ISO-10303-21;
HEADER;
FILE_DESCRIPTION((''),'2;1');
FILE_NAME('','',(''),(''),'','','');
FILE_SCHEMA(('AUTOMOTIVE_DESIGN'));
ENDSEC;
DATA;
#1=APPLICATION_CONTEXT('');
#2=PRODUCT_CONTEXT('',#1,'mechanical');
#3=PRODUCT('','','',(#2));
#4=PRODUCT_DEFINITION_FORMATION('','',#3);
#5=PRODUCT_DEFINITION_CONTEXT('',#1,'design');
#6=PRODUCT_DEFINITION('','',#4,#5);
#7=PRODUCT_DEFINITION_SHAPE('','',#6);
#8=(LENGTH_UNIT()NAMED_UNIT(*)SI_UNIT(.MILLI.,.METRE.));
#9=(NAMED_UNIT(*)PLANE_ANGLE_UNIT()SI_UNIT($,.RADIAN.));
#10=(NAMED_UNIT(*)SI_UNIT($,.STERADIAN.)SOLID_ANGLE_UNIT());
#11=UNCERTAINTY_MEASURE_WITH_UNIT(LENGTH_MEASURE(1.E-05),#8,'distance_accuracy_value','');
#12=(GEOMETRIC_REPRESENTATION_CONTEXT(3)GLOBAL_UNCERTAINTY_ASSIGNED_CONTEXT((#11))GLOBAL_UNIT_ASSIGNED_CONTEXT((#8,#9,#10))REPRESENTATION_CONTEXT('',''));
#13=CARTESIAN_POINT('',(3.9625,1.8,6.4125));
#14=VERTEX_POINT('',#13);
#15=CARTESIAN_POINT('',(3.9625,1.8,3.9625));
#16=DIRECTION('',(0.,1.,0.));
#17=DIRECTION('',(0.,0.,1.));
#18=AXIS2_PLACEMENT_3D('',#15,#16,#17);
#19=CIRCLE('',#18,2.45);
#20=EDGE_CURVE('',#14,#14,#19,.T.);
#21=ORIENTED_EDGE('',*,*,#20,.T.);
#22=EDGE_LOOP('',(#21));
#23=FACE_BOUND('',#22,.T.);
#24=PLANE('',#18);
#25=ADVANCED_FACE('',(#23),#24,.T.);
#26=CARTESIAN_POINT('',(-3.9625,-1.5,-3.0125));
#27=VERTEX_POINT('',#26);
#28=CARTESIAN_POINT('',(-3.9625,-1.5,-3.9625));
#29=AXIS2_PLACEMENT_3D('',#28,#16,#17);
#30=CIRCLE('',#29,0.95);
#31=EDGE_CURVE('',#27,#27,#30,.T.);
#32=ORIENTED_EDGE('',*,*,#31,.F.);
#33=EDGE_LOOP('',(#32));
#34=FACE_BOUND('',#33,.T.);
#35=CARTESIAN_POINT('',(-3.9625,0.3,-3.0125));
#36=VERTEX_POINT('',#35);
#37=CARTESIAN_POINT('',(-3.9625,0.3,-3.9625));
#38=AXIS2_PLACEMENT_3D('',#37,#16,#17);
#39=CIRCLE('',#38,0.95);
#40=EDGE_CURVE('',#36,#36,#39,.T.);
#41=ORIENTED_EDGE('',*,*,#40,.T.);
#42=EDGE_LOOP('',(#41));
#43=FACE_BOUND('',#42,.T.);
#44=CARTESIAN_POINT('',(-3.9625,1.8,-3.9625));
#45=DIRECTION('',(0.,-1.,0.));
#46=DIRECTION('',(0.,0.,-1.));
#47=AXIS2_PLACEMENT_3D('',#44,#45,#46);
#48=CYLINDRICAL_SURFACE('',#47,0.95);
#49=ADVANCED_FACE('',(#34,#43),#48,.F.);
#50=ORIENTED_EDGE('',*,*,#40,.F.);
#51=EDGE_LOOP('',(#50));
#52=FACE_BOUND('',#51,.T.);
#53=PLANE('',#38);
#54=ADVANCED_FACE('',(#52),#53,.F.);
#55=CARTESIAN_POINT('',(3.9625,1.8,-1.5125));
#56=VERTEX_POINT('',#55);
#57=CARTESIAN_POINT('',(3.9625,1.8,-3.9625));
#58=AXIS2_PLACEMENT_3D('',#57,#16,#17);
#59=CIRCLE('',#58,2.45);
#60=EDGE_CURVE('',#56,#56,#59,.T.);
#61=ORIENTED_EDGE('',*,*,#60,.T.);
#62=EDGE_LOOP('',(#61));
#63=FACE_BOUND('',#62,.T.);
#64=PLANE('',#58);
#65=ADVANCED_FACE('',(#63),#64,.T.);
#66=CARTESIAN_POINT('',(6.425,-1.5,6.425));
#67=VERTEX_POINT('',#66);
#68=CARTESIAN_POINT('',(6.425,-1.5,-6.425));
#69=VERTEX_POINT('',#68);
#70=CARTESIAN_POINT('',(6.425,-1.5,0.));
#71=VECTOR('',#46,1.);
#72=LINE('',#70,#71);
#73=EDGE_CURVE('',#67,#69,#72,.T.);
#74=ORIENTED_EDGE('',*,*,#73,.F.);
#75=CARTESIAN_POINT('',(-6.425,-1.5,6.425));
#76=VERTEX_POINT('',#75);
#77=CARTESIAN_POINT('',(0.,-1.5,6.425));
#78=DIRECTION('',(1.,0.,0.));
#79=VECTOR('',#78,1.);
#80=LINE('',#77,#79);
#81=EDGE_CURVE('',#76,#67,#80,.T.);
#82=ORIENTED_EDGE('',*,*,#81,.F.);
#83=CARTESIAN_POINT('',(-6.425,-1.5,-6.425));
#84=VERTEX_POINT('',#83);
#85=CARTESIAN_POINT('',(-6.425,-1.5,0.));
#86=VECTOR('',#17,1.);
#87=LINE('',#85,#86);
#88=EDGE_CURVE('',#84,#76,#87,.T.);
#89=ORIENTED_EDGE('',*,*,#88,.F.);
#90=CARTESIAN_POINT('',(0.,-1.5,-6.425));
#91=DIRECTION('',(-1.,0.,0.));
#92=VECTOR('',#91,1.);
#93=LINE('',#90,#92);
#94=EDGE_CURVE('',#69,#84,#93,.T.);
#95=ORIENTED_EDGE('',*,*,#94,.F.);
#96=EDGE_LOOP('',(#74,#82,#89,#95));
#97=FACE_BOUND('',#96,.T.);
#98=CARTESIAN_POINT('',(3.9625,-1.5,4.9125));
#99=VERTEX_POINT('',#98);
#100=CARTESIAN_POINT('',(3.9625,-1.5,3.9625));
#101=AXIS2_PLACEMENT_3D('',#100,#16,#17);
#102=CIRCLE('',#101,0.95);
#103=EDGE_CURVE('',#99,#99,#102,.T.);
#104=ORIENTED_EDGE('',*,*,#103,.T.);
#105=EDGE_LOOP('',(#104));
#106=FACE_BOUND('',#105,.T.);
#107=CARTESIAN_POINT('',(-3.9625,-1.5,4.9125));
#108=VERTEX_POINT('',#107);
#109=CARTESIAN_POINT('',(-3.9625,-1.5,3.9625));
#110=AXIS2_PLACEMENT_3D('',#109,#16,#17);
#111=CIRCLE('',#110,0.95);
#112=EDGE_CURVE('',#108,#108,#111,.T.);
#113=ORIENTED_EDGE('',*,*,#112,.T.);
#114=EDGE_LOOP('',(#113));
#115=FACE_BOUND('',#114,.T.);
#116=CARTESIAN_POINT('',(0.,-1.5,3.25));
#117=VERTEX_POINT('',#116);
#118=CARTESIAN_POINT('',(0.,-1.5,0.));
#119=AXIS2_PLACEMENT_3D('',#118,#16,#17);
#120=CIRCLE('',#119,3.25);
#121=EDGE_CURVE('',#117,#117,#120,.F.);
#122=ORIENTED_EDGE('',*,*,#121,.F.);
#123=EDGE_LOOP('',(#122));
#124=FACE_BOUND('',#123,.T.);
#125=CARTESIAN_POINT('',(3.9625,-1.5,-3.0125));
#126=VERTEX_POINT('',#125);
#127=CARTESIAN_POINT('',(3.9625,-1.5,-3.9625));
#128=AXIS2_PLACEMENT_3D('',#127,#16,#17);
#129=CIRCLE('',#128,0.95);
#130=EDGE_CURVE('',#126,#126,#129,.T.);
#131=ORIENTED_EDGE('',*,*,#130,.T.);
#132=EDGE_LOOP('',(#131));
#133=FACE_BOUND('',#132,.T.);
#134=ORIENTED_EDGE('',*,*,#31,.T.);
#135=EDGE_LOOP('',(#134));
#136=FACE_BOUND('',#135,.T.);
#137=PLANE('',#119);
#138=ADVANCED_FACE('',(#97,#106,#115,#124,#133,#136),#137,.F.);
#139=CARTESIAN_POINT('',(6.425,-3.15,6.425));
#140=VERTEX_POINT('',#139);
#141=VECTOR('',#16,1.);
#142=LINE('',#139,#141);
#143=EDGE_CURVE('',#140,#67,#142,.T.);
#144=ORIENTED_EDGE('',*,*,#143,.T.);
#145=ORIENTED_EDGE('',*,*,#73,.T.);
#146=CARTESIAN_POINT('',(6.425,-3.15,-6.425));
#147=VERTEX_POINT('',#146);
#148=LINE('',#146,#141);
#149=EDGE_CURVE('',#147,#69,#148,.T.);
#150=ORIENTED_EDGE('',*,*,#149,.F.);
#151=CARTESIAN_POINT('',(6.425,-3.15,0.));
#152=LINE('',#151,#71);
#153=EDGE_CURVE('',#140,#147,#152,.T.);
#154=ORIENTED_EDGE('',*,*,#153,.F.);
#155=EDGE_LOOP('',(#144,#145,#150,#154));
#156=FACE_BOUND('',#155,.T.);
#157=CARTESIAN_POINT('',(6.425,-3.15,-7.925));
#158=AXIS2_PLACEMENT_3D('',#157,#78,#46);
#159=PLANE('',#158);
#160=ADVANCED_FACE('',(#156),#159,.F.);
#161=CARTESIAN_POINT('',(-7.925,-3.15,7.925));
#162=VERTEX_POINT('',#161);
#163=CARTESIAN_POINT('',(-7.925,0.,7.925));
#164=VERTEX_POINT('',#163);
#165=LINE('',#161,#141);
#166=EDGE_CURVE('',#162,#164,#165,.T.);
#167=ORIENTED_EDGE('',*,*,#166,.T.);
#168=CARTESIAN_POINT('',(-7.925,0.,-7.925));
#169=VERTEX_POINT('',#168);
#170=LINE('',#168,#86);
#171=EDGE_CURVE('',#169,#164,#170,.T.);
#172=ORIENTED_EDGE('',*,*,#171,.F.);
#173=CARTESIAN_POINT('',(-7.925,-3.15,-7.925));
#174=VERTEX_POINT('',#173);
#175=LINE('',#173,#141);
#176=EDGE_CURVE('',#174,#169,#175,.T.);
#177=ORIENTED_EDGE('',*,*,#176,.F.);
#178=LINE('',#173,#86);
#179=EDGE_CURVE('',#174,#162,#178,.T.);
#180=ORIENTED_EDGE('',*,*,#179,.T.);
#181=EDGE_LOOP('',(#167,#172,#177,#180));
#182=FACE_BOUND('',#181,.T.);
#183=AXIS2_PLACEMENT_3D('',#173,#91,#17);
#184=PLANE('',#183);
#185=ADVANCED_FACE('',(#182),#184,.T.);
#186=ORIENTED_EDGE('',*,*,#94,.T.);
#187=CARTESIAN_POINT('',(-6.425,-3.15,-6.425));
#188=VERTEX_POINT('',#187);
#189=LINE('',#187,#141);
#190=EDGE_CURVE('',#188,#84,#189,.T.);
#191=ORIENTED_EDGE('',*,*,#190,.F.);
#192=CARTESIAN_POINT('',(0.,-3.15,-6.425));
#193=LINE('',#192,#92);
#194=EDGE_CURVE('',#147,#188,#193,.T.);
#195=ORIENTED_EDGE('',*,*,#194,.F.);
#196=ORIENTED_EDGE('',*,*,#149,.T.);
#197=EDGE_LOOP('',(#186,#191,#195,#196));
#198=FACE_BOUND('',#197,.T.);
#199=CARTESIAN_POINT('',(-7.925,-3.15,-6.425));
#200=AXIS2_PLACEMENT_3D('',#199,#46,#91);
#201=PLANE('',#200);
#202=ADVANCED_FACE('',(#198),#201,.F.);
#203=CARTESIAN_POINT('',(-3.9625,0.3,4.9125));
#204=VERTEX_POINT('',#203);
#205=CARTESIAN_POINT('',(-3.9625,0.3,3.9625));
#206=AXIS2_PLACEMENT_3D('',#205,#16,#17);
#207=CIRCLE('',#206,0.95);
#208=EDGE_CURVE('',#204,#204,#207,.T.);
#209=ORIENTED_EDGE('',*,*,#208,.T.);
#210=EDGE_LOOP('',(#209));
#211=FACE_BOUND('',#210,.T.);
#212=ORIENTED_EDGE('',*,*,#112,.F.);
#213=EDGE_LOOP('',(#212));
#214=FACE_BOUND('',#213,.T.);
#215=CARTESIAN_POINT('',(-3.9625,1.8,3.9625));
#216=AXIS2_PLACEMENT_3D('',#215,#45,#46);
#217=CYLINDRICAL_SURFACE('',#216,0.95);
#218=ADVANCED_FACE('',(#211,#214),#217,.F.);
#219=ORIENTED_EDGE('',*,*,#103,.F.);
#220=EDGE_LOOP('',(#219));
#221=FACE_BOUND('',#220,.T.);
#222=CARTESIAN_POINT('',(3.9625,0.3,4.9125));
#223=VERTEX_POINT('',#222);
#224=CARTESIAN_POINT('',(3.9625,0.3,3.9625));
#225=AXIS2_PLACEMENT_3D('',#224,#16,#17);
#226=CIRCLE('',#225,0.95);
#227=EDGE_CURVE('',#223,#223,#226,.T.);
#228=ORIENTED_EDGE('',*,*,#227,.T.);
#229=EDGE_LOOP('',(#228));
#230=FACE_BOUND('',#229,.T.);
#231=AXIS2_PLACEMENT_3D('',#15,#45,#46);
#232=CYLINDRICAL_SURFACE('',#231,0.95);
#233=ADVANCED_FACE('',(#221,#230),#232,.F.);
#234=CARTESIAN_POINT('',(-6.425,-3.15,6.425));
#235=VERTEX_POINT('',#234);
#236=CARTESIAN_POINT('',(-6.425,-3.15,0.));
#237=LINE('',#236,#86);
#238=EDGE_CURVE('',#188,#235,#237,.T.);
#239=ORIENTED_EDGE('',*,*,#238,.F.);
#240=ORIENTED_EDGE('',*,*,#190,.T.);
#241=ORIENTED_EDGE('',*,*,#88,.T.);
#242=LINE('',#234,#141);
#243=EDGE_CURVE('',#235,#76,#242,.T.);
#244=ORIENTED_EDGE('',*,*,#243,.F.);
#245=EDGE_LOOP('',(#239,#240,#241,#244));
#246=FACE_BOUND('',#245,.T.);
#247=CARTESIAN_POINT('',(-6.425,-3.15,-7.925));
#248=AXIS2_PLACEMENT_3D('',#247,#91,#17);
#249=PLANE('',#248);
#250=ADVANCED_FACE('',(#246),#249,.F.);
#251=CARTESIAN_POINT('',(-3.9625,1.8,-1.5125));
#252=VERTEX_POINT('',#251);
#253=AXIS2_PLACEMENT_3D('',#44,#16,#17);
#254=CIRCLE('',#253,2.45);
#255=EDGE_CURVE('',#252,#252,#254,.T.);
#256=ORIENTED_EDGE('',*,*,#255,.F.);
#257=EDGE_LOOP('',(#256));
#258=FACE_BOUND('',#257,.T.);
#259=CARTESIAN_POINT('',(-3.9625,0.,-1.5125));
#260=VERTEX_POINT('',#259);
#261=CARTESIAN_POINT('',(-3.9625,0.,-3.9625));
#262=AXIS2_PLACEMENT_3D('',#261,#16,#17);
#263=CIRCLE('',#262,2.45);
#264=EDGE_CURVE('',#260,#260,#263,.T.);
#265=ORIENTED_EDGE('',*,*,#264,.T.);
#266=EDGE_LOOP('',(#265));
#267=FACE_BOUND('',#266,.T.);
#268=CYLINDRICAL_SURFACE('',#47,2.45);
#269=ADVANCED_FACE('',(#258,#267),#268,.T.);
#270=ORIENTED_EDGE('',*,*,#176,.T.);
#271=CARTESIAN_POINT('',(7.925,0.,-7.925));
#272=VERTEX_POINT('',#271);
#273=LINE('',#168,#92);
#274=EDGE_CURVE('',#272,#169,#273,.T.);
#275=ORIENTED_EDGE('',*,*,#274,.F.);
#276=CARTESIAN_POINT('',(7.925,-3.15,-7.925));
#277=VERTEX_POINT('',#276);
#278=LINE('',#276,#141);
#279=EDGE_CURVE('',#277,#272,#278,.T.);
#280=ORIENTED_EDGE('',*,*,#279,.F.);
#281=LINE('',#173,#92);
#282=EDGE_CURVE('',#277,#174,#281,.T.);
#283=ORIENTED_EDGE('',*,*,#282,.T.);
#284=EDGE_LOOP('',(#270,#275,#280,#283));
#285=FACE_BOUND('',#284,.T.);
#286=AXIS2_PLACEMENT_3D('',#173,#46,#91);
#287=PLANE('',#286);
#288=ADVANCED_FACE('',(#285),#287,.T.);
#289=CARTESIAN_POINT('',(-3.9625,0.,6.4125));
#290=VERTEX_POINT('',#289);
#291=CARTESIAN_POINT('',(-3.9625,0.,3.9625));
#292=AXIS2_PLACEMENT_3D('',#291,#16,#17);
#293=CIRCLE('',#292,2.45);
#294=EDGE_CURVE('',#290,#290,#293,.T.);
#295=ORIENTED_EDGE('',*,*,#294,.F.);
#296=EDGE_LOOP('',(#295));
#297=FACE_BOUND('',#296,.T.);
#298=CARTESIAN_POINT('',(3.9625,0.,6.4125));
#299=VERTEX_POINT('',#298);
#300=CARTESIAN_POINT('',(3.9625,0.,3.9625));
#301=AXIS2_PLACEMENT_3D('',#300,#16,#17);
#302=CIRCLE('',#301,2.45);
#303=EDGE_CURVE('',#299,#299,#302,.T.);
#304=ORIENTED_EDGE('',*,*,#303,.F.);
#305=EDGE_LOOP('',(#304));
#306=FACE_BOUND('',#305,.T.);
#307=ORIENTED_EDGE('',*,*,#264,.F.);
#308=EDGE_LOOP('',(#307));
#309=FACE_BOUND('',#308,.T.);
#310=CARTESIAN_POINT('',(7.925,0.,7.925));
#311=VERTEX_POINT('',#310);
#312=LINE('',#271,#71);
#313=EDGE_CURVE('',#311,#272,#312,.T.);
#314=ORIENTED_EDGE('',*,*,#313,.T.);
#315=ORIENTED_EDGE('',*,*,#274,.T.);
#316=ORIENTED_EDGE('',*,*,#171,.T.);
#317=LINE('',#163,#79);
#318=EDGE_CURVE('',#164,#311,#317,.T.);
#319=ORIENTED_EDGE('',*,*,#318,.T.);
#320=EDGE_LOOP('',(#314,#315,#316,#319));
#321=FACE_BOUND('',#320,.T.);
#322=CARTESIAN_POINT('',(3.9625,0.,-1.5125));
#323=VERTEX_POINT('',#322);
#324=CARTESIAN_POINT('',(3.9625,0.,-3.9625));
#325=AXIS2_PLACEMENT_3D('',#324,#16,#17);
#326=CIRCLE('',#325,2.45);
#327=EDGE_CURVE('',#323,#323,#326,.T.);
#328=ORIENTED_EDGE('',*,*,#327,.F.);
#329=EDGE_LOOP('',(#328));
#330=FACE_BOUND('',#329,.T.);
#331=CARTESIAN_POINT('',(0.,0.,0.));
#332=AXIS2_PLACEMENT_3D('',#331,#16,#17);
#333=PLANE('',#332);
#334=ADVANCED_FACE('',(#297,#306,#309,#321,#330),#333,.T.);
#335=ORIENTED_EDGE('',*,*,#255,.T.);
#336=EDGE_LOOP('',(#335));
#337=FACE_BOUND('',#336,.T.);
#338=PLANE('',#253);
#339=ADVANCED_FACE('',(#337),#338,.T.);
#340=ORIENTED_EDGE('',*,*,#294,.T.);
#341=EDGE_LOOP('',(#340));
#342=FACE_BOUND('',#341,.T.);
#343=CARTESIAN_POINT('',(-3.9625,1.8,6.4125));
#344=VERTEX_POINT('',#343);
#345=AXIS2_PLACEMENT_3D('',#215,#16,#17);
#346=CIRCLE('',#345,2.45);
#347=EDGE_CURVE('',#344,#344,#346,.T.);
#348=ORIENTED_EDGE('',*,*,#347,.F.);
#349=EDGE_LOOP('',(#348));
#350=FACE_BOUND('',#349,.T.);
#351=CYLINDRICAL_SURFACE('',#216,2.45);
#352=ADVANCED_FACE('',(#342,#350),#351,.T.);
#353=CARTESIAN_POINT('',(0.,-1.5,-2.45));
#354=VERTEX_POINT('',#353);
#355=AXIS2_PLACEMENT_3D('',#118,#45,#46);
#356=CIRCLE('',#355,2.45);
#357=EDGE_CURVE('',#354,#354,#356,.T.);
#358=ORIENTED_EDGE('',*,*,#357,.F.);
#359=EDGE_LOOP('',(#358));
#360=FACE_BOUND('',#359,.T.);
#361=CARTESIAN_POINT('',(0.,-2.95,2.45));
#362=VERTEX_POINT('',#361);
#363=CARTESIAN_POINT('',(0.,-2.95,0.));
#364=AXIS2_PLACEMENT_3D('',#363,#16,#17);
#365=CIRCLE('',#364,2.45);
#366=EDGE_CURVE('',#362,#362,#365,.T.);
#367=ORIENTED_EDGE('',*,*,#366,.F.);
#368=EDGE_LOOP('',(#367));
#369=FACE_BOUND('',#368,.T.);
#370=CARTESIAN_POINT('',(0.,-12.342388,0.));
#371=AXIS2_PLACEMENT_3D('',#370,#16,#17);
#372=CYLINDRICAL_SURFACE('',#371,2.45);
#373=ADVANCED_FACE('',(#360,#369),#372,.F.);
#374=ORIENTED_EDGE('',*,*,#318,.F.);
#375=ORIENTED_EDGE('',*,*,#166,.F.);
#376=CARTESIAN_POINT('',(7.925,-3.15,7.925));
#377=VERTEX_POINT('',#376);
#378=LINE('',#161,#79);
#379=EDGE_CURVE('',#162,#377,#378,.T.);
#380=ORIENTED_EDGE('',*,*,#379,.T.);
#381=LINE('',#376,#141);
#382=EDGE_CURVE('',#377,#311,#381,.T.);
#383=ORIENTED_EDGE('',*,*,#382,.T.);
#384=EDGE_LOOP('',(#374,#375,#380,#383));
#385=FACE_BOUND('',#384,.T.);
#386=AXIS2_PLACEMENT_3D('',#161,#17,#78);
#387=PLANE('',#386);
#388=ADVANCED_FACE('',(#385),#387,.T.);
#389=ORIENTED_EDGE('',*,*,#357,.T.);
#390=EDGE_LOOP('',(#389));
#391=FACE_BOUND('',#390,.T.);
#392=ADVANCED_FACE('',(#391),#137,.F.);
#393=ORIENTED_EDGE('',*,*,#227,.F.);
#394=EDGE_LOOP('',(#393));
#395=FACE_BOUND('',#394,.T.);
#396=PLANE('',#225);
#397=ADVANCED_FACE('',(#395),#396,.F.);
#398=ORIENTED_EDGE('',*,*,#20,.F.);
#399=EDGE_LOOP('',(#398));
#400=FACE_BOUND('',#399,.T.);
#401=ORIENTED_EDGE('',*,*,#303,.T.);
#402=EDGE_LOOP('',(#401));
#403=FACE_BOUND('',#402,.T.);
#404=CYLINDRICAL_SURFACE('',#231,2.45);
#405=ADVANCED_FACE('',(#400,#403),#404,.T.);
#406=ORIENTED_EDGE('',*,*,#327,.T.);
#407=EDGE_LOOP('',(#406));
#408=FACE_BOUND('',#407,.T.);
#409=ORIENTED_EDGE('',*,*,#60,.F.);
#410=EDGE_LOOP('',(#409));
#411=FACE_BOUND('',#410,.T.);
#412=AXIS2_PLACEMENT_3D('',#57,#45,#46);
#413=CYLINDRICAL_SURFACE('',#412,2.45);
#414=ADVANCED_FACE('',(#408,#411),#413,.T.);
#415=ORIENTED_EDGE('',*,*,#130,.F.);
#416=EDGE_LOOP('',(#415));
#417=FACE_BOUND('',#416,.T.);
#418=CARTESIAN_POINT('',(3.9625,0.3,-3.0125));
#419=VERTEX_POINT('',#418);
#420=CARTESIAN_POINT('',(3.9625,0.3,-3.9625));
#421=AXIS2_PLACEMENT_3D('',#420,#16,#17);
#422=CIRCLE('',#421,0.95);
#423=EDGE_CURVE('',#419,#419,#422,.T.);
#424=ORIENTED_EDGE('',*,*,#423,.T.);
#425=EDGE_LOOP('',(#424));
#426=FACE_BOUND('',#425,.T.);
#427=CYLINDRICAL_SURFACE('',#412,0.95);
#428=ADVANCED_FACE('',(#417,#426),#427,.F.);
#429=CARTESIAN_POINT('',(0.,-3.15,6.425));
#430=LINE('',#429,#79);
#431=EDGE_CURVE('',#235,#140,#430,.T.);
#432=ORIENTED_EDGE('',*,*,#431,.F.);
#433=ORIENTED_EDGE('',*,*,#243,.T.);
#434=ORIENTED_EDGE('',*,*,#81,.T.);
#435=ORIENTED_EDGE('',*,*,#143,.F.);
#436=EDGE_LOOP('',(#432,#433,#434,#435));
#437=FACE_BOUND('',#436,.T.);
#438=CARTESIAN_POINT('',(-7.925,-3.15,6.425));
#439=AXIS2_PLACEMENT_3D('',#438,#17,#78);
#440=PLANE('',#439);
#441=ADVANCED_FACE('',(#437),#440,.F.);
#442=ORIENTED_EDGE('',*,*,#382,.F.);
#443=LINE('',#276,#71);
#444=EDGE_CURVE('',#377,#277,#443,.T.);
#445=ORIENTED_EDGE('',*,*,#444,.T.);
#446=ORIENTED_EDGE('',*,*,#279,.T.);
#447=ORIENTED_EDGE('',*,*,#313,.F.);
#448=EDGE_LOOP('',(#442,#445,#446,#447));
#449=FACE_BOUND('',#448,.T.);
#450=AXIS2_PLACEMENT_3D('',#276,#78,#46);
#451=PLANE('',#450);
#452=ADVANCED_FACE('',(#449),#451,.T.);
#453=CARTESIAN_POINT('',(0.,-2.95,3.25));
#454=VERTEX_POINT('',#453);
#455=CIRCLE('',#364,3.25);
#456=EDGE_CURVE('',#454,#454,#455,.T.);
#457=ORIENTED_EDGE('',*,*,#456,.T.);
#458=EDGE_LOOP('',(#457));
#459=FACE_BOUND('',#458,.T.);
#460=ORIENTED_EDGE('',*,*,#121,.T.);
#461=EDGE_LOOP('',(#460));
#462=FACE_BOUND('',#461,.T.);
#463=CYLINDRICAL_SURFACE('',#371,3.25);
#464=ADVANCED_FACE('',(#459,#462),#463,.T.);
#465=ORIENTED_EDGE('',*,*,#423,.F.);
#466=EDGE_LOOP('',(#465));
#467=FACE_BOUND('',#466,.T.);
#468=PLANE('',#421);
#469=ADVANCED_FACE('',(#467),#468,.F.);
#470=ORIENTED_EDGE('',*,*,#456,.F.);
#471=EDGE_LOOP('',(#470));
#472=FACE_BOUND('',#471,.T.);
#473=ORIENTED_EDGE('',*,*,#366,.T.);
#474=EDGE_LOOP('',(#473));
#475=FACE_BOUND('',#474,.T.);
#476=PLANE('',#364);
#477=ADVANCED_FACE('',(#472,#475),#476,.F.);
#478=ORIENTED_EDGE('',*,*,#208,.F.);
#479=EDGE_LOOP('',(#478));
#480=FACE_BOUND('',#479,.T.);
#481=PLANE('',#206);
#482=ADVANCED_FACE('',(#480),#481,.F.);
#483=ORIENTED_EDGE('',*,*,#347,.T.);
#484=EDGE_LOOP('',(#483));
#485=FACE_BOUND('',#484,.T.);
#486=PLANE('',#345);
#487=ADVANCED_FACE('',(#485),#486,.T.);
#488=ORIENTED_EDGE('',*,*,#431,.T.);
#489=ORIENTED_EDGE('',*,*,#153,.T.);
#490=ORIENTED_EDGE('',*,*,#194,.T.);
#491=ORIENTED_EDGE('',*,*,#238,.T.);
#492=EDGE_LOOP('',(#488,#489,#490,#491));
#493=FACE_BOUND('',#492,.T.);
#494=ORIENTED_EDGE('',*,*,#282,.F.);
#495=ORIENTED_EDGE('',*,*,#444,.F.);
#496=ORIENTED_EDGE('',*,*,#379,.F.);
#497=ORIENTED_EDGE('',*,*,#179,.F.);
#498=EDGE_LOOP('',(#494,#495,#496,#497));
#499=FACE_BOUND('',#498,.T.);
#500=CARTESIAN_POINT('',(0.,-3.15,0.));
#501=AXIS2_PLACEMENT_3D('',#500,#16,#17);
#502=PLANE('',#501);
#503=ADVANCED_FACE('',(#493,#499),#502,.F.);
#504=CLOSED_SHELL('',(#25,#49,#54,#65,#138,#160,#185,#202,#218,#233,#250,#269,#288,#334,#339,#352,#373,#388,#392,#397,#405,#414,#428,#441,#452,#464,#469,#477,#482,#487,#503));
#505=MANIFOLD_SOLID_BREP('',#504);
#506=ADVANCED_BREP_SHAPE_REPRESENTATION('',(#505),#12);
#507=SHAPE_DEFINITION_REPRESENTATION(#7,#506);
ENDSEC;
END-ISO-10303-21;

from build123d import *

# Parameters (mm, degrees)
SKETCH1_W           = 15.85
SKETCH1_H           = 15.85
BOSS_EXTRUDE1_DEPTH = 3.15
SKETCH2_R           = 2.45
BOSS_EXTRUDE2_DEPTH = 1.8
SHELL1_T            = -1.5
SKETCH3_R           = 3.25
SKETCH3_R_2         = 2.45
BOSS_EXTRUDE3_DEPTH = 1.45


with BuildPart() as part:
    # Sketch1 → Boss-Extrude1 (new body)
    with BuildSketch(Plane(origin=(0, 0, 0), x_dir=(1, 0, 0), z_dir=(0, 1, 0))):
        Rectangle(SKETCH1_W, SKETCH1_H)
    extrude(amount=-BOSS_EXTRUDE1_DEPTH)

    # Sketch2 → Boss-Extrude2 (add)
    with BuildSketch(Plane(origin=(0, 0, 0), x_dir=(1, 0, 0), z_dir=(0, 1, 0))):
        with Locations(Location((-3.9625, 3.9625, 0), (0, 0, 270))):
            Circle(SKETCH2_R)
        with Locations(Location((-3.9625, -3.9625, 0), (0, 0, 270))):
            Circle(SKETCH2_R)
        with Locations(Location((3.9625, 3.9625, 0), (0, 0, 270))):
            Circle(SKETCH2_R)
        with Locations(Location((3.9625, -3.9625, 0), (0, 0, 270))):
            Circle(SKETCH2_R)
    extrude(amount=BOSS_EXTRUDE2_DEPTH)

    # Shell1
    shell1_openings = [part.faces().sort_by_distance(p)[0] for p in [
        (0, -3.15, 0),
    ]]
    offset(amount=SHELL1_T, openings=shell1_openings, kind=Kind.INTERSECTION)

    # Sketch3 → Boss-Extrude3 (add)
    with BuildSketch(Plane.XZ.offset(1.5)):
        with Locations(Location((0, 0, 0), (0, 0, 90))):
            Circle(SKETCH3_R)
        with Locations(Location((0, 0, 0), (0, 0, 90))):
            Circle(SKETCH3_R_2, mode=Mode.SUBTRACT)
    extrude(amount=BOSS_EXTRUDE3_DEPTH)


solid = part.part
